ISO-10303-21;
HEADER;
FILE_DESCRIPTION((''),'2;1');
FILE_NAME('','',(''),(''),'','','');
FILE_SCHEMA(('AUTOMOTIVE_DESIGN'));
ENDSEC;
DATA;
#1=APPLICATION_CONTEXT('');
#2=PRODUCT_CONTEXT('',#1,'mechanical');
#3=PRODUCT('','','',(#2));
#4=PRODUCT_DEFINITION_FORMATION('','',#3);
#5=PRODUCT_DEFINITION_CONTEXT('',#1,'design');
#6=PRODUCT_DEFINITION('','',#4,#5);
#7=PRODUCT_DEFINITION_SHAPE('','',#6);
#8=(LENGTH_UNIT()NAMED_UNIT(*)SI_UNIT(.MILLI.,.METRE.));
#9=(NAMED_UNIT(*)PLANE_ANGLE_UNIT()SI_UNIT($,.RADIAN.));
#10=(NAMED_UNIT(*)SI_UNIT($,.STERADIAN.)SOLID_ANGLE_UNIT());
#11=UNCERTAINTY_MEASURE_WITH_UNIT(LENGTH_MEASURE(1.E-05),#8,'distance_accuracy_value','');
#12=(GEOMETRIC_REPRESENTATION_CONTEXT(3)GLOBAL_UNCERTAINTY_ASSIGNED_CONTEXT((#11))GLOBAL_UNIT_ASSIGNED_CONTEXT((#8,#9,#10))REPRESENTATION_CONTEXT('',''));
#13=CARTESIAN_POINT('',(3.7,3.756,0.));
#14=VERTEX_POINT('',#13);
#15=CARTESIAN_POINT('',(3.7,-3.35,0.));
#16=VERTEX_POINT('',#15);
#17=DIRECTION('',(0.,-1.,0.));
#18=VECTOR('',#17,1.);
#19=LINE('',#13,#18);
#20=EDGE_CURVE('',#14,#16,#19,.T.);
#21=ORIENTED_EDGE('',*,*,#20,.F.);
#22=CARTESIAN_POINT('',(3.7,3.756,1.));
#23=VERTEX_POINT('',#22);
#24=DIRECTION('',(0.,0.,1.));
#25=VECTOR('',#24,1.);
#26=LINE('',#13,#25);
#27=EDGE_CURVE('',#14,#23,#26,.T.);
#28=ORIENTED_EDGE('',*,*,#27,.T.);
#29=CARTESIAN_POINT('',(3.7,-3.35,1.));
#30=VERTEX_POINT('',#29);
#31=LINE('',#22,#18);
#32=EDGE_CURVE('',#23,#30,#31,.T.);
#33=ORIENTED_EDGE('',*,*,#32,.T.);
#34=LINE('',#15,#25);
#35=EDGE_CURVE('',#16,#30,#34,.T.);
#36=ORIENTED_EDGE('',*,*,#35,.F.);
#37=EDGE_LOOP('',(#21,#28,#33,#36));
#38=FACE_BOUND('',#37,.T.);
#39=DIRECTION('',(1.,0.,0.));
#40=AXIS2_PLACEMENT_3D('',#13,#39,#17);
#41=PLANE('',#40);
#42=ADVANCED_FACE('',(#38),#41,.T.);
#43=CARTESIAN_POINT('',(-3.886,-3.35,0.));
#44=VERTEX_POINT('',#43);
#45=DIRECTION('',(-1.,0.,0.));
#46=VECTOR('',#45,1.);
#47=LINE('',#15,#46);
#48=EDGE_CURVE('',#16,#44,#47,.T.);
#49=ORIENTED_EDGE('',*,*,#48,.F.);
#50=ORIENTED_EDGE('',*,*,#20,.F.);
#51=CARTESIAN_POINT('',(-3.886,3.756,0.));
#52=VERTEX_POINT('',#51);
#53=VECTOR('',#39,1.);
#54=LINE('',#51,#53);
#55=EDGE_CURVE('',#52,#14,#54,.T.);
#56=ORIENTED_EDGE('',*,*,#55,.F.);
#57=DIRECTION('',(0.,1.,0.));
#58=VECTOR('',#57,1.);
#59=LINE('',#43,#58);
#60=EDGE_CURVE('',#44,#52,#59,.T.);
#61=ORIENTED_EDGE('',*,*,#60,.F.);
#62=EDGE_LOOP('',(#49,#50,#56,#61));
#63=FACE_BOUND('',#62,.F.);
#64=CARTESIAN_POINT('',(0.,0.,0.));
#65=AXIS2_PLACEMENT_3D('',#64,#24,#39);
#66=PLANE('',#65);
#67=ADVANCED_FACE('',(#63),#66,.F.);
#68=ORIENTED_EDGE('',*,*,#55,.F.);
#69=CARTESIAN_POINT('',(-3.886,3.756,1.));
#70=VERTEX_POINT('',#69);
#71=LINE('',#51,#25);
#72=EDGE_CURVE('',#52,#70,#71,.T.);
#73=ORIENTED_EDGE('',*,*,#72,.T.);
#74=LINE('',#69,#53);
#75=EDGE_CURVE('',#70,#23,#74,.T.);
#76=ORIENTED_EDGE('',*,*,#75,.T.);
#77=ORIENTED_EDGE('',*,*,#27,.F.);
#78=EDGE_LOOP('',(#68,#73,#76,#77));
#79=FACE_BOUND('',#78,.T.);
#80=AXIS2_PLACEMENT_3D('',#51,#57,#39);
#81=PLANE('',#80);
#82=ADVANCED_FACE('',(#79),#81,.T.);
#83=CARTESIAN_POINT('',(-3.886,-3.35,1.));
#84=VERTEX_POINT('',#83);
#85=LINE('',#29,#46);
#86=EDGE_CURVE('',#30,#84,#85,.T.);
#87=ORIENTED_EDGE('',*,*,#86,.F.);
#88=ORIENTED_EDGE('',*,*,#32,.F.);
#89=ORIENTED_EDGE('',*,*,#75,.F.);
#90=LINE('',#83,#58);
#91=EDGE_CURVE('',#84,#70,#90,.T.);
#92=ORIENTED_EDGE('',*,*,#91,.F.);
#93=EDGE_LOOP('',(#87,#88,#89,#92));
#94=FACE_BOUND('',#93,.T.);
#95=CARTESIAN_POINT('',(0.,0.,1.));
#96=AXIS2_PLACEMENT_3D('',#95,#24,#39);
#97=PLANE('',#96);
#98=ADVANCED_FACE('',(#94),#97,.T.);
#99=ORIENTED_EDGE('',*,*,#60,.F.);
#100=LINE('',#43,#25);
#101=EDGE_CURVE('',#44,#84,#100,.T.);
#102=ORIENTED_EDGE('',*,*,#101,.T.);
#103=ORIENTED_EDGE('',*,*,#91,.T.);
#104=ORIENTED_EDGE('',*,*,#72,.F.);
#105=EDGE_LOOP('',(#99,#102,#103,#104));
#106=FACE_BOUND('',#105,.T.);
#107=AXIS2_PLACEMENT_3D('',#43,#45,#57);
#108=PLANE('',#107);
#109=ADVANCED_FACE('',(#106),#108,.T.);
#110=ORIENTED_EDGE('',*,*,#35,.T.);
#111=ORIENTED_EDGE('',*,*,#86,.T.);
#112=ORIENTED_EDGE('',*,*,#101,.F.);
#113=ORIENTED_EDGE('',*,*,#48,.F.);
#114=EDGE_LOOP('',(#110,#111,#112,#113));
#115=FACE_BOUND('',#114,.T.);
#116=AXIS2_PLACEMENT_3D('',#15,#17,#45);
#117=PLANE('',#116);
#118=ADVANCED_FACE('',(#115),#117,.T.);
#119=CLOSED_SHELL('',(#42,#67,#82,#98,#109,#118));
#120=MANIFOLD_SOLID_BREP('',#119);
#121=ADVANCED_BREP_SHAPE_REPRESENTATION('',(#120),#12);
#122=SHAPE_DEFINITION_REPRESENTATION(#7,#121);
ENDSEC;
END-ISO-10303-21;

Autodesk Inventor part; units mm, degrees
ref_plane "YZ Plane" through (0, 0, 0) normal (1, 0, 0) x (0, 1, 0)
ref_plane "XZ Plane" through (0, 0, 0) normal (0, 1, 0) x (-1, 0, 0)
ref_plane "XY Plane" through (0, 0, 0) normal (0, 0, 1) x (1, 0, 0)
sketch "TSSOP20, SN74LV244A_143" plane through (0, 0, 0) normal (0, 0, 1) x (1, 0, 0)
  line L0 (-3.886, -3.35) -> (-3.886, 3.756)
  line L1 (-3.886, 3.756) -> (3.7, 3.756)
  line L2 (3.7, 3.756) -> (3.7, -3.35)
  line L3 (3.7, -3.35) -> (-3.886, -3.35)
extrude "Extrusion1" add sketch "TSSOP20, SN74LV244A_143" along normal blind 1
properties part number "SN74LV244A"
